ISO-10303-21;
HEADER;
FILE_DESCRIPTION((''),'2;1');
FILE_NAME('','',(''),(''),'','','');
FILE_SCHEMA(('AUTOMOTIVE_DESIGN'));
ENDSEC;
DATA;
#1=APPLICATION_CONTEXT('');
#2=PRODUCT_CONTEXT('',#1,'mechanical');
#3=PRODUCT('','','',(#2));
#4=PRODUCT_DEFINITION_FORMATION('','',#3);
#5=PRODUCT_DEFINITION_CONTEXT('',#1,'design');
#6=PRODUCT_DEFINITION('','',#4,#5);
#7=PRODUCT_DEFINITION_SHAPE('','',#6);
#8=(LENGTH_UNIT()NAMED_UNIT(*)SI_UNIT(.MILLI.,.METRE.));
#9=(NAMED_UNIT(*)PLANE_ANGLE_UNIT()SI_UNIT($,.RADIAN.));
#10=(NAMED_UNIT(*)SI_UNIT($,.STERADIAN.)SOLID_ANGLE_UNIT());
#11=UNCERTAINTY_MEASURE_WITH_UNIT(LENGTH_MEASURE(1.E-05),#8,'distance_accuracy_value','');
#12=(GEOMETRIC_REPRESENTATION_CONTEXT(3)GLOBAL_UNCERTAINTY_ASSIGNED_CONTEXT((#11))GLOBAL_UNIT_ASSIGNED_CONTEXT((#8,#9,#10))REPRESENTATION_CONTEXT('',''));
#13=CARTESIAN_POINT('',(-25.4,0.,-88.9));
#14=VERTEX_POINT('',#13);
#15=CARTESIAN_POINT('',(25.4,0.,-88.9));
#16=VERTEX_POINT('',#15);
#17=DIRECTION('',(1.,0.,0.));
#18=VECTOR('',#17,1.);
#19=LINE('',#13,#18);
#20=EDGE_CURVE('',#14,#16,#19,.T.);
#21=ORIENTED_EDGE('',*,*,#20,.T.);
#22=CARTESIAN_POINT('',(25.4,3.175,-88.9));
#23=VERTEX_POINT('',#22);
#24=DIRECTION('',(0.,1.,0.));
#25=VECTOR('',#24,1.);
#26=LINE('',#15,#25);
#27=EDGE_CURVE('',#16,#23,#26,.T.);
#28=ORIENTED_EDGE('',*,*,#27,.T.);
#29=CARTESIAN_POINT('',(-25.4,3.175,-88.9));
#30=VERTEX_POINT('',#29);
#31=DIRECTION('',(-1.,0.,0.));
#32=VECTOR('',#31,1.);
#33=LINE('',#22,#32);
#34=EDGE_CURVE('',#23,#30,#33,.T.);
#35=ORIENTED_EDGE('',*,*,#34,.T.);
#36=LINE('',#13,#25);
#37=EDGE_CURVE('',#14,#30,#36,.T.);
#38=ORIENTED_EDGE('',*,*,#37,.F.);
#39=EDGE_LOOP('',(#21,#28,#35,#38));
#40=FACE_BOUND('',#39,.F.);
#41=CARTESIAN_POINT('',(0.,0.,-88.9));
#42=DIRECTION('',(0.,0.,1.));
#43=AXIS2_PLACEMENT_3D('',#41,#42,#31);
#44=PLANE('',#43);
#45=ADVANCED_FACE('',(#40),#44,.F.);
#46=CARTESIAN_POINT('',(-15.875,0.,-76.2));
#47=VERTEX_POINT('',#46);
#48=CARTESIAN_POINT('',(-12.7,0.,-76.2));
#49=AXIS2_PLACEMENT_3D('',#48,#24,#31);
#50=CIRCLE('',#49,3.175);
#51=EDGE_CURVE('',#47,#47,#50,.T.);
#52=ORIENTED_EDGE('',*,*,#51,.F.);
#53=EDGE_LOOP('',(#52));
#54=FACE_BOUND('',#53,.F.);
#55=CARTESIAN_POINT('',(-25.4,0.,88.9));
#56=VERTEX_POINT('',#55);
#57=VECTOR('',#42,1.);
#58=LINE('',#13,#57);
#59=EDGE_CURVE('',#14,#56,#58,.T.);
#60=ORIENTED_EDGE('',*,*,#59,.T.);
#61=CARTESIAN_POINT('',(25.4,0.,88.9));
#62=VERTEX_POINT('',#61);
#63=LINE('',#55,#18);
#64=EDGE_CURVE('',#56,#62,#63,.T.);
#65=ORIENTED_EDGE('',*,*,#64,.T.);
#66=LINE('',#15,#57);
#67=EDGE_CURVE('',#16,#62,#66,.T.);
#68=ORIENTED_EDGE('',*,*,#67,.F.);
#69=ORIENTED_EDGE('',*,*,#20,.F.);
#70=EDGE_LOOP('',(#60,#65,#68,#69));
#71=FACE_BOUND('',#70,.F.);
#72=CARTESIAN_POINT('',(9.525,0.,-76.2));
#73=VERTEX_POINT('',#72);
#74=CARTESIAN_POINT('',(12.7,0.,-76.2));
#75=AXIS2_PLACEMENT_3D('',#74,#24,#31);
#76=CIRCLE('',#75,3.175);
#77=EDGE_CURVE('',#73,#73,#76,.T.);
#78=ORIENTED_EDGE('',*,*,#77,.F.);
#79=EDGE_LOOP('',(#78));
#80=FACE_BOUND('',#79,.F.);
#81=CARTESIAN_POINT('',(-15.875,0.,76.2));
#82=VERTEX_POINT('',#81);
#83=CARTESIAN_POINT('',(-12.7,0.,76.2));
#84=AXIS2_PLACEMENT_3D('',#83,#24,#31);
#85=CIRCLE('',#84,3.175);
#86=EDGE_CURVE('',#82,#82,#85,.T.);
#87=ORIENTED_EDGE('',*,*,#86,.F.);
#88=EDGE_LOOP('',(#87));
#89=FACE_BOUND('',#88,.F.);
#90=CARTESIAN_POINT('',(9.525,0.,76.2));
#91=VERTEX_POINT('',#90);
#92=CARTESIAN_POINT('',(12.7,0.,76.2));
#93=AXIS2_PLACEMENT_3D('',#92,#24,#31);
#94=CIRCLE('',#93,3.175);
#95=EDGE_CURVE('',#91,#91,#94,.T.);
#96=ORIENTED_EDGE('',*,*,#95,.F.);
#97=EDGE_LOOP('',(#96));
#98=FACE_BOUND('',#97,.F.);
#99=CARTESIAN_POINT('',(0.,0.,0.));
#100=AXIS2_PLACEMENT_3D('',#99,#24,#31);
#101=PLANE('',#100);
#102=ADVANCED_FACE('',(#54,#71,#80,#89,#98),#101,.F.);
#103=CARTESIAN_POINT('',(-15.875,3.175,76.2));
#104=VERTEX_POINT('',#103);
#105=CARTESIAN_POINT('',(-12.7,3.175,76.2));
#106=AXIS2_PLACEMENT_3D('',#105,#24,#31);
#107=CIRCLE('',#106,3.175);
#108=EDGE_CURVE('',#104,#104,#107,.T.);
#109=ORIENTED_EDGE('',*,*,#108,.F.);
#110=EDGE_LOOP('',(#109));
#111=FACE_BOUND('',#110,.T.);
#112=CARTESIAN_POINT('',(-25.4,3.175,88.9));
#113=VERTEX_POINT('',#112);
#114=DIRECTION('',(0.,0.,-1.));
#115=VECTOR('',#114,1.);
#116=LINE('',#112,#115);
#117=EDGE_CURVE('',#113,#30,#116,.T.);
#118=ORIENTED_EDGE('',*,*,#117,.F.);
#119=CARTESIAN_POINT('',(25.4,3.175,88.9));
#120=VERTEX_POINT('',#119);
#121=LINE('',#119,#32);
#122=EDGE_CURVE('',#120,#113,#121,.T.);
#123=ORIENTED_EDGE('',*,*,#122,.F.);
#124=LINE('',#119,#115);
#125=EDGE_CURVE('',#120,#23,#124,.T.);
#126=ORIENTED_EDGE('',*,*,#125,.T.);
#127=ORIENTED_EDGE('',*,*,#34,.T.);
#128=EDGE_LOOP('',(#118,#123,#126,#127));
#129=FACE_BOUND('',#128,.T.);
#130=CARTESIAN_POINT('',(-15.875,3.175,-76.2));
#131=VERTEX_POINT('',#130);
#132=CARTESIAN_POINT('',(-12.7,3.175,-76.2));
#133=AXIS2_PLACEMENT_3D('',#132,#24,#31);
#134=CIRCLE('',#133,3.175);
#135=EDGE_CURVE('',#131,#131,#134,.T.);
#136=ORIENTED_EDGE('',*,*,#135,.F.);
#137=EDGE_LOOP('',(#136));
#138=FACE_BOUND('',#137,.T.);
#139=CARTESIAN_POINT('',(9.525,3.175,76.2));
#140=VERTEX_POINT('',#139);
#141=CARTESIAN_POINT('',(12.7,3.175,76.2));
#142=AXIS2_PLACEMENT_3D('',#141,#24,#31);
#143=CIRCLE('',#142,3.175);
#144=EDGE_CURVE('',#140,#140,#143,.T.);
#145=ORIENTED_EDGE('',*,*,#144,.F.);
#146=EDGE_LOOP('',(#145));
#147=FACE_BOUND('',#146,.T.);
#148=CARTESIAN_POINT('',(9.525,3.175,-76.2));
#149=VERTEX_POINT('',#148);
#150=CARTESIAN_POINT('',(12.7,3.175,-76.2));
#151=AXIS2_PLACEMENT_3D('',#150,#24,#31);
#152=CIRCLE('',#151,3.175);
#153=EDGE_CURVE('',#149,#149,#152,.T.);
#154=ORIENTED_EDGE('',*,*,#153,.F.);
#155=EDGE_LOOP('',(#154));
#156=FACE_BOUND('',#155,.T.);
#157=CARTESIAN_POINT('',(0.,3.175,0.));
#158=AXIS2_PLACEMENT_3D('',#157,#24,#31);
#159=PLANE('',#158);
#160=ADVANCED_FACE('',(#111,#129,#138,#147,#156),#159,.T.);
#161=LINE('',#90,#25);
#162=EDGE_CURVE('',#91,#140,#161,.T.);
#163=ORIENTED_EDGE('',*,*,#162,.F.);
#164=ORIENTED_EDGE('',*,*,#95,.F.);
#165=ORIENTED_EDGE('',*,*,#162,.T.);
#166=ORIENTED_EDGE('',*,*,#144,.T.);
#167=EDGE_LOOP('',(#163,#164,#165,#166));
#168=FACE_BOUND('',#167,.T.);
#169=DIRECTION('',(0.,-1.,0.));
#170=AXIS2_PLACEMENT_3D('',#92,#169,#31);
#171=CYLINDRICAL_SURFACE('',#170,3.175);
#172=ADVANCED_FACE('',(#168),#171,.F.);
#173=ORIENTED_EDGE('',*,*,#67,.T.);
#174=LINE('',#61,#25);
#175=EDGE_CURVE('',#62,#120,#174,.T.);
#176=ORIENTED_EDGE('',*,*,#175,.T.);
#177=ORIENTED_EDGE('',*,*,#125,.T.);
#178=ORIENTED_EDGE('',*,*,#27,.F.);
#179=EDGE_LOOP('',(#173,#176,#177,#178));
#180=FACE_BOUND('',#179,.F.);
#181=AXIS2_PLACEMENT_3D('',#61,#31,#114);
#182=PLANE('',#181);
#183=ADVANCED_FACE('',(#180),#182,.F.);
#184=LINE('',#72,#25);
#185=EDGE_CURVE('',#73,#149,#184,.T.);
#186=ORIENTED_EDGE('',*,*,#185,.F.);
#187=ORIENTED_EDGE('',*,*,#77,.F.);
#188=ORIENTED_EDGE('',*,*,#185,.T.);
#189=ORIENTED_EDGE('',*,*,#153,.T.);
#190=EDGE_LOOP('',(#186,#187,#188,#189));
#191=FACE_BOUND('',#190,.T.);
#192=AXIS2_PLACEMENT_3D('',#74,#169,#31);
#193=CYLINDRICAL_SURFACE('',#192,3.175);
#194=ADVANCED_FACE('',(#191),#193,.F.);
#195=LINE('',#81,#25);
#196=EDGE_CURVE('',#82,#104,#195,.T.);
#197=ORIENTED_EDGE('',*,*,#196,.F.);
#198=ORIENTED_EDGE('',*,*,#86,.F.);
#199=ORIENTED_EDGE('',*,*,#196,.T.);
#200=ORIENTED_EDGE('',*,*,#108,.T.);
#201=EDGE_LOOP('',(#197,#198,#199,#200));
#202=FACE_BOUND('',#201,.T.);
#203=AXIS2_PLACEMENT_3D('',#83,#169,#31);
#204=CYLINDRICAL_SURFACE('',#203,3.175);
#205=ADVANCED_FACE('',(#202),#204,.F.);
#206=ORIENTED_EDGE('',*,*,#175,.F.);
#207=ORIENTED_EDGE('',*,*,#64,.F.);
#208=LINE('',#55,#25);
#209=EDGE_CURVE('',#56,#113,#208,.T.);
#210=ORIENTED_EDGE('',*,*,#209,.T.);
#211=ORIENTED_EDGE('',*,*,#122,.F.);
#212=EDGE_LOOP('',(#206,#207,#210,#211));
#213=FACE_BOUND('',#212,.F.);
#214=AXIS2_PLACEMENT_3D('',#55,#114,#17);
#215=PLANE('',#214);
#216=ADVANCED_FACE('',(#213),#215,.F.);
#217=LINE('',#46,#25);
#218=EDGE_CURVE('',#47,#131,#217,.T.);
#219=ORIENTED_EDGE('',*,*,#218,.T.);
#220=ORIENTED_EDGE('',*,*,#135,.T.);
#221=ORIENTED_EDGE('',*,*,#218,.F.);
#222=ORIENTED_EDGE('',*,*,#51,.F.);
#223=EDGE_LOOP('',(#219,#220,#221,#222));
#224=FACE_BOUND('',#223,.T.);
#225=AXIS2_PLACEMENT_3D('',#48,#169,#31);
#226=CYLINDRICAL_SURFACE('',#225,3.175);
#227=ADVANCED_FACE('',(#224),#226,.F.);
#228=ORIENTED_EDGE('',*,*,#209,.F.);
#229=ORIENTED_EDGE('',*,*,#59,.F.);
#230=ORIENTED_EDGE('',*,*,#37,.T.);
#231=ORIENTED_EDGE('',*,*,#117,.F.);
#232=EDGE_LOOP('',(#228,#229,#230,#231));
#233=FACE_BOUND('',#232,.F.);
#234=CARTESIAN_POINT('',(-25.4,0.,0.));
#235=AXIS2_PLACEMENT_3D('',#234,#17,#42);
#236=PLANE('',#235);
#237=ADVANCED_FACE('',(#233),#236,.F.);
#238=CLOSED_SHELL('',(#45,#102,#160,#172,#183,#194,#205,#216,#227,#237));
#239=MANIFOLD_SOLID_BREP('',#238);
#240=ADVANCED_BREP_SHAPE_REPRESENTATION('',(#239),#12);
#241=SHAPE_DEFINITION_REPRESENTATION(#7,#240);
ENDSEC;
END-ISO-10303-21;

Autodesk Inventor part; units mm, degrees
ref_plane "YZ Plane" through (0, 0, 0) normal (1, 0, 0) x (0, 1, 0)
ref_plane "XZ Plane" through (0, 0, 0) normal (0, 1, 0) x (-1, 0, 0)
ref_plane "XY Plane" through (0, 0, 0) normal (0, 0, 1) x (1, 0, 0)
sketch "Sketch1" plane through (0, 0, 0) normal (0, 1, 0) x (-1, 0, 0)
  line L0 (25.4, 88.9) -> (-25.4, 88.9)
  line L1 (-25.4, 88.9) -> (-25.4, -88.9)
  line L2 (-25.4, -88.9) -> (25.4, -88.9)
  line L3 (25.4, -88.9) -> (25.4, 88.9)
  line L4 (0, -124.46) -> (0, 124.46) projected
  line L5 (-35.56, 0) -> (35.56, 0) projected
  circle A0 centre (12.7, 76.2) radius 3.175
  circle A1 centre (12.7, -76.2) radius 3.175
  circle A2 centre (-12.7, -76.2) radius 3.175
  circle A3 centre (-12.7, 76.2) radius 3.175
  point P0 (0, 0)
  dimension "d0" = 50.8
  dimension "d1" = 177.8
  dimension "d6" = 6.35
  dimension "d7" = 12.7
  dimension "d8" = 12.7
extrude "Extrusion1" add sketch "Sketch1" along normal blind 3.175
properties part number "Battery Plate" material "Aluminum 6061"
